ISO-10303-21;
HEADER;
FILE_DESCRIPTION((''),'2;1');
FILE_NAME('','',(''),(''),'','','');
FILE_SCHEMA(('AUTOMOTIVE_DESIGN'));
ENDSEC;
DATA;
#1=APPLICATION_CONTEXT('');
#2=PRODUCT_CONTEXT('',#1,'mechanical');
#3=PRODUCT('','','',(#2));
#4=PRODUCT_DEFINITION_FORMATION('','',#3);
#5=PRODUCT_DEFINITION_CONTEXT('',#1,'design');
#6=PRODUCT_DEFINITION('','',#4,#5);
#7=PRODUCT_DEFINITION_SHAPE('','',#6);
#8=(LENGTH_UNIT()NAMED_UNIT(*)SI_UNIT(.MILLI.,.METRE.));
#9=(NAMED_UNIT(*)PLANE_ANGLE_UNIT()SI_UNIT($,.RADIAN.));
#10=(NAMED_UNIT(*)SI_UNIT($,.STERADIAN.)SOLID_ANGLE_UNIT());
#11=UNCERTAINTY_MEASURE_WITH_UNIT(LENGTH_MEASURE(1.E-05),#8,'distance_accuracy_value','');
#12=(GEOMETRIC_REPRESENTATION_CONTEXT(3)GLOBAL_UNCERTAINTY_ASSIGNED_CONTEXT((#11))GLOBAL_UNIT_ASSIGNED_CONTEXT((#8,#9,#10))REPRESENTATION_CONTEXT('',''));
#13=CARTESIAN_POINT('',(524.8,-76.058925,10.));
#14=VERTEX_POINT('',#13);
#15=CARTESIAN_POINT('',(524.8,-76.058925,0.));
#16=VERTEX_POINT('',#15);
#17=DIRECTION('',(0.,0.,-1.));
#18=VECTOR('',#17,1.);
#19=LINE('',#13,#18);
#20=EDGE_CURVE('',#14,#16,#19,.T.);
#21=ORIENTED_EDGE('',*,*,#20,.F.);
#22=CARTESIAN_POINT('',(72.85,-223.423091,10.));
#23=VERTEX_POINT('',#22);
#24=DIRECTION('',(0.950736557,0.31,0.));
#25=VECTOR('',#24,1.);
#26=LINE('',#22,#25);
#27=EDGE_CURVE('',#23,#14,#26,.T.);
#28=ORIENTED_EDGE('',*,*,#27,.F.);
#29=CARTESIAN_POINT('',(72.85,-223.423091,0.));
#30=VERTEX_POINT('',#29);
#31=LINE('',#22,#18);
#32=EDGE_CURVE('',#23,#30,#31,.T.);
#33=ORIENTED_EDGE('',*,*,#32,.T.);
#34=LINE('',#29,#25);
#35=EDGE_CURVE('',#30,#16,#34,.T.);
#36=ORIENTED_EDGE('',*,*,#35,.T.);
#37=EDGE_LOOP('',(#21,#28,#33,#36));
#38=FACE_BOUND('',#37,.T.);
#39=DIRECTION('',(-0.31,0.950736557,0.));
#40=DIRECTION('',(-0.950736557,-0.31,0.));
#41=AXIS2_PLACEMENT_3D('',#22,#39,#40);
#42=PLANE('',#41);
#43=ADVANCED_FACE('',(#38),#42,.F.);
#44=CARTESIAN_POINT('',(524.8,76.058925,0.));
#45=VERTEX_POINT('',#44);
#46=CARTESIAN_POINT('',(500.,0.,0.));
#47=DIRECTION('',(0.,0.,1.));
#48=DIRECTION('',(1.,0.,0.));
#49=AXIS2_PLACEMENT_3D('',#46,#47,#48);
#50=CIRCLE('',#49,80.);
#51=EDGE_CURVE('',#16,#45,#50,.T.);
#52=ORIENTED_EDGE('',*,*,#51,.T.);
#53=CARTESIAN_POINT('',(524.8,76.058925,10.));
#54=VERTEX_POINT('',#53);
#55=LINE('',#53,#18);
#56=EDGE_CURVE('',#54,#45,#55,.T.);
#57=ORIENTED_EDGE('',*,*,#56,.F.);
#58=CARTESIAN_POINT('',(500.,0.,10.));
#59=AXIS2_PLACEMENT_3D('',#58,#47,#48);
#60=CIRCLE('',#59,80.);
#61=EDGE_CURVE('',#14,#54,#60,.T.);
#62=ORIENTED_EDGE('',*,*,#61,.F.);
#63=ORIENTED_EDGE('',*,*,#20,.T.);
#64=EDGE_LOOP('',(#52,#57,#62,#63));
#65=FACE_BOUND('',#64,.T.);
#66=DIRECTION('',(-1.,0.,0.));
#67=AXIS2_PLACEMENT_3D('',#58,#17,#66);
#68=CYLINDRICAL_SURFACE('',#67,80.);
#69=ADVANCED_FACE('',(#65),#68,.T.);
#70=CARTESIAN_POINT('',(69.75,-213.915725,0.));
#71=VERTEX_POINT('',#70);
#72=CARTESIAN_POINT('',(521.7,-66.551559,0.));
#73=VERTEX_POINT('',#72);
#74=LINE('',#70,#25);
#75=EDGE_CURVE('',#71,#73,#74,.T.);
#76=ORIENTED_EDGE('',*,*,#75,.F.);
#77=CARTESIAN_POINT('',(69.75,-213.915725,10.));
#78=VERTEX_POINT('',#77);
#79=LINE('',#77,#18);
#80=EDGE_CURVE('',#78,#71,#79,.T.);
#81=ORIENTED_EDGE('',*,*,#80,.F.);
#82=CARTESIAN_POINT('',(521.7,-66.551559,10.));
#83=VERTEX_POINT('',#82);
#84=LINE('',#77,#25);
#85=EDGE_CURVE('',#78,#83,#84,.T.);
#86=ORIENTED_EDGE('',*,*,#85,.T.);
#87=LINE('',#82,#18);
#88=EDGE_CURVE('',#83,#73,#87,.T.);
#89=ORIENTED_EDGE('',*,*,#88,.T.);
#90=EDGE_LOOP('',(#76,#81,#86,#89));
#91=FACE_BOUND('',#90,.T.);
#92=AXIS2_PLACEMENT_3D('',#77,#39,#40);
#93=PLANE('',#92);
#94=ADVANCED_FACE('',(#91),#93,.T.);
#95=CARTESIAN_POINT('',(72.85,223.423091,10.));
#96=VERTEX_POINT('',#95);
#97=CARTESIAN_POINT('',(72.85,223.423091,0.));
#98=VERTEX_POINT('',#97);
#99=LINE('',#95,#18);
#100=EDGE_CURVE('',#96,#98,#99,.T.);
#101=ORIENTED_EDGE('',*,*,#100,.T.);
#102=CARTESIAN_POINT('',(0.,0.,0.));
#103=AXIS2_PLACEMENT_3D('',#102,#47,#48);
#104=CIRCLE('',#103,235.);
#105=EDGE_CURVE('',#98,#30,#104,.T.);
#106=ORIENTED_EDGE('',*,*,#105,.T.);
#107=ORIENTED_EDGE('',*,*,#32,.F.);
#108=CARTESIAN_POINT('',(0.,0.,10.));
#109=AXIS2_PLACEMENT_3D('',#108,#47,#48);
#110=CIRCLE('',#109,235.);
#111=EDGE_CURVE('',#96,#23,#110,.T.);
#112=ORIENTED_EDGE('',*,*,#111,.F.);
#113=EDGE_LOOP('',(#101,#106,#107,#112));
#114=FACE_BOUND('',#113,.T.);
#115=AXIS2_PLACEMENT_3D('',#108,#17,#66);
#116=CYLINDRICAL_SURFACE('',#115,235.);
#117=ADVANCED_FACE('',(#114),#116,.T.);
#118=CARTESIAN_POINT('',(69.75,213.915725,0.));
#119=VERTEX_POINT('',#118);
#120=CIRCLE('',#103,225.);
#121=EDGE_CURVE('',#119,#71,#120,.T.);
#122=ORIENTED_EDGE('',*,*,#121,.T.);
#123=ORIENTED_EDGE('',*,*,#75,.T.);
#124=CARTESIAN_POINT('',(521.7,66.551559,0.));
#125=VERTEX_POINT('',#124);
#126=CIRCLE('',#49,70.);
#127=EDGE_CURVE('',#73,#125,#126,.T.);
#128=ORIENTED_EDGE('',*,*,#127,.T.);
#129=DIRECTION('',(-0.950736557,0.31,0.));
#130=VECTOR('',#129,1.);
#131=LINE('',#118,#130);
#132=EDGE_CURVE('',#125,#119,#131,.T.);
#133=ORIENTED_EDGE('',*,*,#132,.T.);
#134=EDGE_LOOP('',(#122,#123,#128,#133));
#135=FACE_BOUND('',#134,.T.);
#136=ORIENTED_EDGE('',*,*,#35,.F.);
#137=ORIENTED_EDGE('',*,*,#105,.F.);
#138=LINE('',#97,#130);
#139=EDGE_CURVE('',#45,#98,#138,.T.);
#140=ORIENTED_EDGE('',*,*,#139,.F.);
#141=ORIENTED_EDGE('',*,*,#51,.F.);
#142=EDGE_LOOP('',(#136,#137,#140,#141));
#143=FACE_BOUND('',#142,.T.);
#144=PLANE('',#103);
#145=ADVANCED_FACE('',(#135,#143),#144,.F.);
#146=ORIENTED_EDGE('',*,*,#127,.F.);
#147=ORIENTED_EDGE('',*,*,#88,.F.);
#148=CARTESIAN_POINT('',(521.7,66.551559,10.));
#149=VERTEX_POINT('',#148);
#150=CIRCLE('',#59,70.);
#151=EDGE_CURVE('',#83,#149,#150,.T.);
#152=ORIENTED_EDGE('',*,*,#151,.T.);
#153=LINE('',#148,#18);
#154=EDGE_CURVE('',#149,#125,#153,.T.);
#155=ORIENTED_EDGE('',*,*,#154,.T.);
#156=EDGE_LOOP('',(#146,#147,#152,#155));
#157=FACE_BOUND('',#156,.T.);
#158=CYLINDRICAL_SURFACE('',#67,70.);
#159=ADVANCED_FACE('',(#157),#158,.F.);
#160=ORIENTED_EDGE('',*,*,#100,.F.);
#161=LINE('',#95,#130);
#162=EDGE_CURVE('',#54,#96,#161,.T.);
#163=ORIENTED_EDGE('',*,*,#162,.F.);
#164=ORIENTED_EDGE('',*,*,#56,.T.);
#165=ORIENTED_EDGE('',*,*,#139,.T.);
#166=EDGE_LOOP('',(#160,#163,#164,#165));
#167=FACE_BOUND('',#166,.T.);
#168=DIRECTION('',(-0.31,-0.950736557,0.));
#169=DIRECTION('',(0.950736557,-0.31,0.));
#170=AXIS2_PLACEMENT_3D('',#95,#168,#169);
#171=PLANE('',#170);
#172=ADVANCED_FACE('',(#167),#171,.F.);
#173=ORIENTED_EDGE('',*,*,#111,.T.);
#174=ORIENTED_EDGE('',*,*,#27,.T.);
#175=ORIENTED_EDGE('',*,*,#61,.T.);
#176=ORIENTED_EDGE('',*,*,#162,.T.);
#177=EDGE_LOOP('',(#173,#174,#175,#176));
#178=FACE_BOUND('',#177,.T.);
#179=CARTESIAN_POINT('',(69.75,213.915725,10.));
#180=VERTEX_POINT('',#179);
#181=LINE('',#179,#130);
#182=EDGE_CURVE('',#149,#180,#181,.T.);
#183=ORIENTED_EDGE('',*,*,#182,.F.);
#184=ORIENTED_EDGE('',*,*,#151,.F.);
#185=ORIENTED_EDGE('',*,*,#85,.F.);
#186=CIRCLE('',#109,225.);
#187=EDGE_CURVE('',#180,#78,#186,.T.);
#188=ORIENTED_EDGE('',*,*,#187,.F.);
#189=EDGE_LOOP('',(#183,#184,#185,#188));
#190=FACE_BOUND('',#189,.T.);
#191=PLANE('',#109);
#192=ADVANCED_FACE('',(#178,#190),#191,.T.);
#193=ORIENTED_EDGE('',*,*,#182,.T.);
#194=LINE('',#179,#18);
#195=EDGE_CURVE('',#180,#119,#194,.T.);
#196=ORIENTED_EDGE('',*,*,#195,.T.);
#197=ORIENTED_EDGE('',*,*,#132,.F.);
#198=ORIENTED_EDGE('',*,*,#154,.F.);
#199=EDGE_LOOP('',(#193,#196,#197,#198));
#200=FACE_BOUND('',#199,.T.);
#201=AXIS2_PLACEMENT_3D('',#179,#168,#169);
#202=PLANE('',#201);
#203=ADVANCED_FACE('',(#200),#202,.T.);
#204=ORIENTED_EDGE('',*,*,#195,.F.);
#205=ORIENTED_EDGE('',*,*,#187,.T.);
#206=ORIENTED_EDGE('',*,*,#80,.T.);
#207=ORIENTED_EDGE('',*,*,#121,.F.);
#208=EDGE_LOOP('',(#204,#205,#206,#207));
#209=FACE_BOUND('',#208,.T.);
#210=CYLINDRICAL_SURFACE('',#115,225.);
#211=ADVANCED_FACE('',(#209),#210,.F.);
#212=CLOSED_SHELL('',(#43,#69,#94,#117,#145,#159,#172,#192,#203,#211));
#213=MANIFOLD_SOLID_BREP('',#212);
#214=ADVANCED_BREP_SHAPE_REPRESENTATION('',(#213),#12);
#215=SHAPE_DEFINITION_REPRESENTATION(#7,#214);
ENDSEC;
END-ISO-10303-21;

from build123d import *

# Parameters (mm, degrees)
BOSS_EXTRUDE2_DEPTH = 10


with BuildPart() as part:
    # Sketch1 → Boss-Extrude2 (new body)
    with BuildSketch(Plane.XY):
        with BuildLine():
            Line((72.85, 223.423090794), (524.8, 76.058924526))
            ThreePointArc((524.8, 76.058924526), (580, 0), (524.8, -76.058924526))
            Line((524.8, -76.058924526), (72.85, -223.423090794))
            ThreePointArc((72.85, -223.423090794), (-235, 0), (72.85, 223.423090794))
        make_face()
        with BuildLine():
            Line((69.75, -213.915725228), (521.7, -66.55155896))
            ThreePointArc((521.7, -66.55155896), (570, 0), (521.7, 66.55155896))
            Line((521.7, 66.55155896), (69.75, 213.915725228))
            ThreePointArc((69.75, 213.915725228), (-225, 0), (69.75, -213.915725228))
        make_face(mode=Mode.SUBTRACT)
    extrude(amount=BOSS_EXTRUDE2_DEPTH)


solid = part.part
